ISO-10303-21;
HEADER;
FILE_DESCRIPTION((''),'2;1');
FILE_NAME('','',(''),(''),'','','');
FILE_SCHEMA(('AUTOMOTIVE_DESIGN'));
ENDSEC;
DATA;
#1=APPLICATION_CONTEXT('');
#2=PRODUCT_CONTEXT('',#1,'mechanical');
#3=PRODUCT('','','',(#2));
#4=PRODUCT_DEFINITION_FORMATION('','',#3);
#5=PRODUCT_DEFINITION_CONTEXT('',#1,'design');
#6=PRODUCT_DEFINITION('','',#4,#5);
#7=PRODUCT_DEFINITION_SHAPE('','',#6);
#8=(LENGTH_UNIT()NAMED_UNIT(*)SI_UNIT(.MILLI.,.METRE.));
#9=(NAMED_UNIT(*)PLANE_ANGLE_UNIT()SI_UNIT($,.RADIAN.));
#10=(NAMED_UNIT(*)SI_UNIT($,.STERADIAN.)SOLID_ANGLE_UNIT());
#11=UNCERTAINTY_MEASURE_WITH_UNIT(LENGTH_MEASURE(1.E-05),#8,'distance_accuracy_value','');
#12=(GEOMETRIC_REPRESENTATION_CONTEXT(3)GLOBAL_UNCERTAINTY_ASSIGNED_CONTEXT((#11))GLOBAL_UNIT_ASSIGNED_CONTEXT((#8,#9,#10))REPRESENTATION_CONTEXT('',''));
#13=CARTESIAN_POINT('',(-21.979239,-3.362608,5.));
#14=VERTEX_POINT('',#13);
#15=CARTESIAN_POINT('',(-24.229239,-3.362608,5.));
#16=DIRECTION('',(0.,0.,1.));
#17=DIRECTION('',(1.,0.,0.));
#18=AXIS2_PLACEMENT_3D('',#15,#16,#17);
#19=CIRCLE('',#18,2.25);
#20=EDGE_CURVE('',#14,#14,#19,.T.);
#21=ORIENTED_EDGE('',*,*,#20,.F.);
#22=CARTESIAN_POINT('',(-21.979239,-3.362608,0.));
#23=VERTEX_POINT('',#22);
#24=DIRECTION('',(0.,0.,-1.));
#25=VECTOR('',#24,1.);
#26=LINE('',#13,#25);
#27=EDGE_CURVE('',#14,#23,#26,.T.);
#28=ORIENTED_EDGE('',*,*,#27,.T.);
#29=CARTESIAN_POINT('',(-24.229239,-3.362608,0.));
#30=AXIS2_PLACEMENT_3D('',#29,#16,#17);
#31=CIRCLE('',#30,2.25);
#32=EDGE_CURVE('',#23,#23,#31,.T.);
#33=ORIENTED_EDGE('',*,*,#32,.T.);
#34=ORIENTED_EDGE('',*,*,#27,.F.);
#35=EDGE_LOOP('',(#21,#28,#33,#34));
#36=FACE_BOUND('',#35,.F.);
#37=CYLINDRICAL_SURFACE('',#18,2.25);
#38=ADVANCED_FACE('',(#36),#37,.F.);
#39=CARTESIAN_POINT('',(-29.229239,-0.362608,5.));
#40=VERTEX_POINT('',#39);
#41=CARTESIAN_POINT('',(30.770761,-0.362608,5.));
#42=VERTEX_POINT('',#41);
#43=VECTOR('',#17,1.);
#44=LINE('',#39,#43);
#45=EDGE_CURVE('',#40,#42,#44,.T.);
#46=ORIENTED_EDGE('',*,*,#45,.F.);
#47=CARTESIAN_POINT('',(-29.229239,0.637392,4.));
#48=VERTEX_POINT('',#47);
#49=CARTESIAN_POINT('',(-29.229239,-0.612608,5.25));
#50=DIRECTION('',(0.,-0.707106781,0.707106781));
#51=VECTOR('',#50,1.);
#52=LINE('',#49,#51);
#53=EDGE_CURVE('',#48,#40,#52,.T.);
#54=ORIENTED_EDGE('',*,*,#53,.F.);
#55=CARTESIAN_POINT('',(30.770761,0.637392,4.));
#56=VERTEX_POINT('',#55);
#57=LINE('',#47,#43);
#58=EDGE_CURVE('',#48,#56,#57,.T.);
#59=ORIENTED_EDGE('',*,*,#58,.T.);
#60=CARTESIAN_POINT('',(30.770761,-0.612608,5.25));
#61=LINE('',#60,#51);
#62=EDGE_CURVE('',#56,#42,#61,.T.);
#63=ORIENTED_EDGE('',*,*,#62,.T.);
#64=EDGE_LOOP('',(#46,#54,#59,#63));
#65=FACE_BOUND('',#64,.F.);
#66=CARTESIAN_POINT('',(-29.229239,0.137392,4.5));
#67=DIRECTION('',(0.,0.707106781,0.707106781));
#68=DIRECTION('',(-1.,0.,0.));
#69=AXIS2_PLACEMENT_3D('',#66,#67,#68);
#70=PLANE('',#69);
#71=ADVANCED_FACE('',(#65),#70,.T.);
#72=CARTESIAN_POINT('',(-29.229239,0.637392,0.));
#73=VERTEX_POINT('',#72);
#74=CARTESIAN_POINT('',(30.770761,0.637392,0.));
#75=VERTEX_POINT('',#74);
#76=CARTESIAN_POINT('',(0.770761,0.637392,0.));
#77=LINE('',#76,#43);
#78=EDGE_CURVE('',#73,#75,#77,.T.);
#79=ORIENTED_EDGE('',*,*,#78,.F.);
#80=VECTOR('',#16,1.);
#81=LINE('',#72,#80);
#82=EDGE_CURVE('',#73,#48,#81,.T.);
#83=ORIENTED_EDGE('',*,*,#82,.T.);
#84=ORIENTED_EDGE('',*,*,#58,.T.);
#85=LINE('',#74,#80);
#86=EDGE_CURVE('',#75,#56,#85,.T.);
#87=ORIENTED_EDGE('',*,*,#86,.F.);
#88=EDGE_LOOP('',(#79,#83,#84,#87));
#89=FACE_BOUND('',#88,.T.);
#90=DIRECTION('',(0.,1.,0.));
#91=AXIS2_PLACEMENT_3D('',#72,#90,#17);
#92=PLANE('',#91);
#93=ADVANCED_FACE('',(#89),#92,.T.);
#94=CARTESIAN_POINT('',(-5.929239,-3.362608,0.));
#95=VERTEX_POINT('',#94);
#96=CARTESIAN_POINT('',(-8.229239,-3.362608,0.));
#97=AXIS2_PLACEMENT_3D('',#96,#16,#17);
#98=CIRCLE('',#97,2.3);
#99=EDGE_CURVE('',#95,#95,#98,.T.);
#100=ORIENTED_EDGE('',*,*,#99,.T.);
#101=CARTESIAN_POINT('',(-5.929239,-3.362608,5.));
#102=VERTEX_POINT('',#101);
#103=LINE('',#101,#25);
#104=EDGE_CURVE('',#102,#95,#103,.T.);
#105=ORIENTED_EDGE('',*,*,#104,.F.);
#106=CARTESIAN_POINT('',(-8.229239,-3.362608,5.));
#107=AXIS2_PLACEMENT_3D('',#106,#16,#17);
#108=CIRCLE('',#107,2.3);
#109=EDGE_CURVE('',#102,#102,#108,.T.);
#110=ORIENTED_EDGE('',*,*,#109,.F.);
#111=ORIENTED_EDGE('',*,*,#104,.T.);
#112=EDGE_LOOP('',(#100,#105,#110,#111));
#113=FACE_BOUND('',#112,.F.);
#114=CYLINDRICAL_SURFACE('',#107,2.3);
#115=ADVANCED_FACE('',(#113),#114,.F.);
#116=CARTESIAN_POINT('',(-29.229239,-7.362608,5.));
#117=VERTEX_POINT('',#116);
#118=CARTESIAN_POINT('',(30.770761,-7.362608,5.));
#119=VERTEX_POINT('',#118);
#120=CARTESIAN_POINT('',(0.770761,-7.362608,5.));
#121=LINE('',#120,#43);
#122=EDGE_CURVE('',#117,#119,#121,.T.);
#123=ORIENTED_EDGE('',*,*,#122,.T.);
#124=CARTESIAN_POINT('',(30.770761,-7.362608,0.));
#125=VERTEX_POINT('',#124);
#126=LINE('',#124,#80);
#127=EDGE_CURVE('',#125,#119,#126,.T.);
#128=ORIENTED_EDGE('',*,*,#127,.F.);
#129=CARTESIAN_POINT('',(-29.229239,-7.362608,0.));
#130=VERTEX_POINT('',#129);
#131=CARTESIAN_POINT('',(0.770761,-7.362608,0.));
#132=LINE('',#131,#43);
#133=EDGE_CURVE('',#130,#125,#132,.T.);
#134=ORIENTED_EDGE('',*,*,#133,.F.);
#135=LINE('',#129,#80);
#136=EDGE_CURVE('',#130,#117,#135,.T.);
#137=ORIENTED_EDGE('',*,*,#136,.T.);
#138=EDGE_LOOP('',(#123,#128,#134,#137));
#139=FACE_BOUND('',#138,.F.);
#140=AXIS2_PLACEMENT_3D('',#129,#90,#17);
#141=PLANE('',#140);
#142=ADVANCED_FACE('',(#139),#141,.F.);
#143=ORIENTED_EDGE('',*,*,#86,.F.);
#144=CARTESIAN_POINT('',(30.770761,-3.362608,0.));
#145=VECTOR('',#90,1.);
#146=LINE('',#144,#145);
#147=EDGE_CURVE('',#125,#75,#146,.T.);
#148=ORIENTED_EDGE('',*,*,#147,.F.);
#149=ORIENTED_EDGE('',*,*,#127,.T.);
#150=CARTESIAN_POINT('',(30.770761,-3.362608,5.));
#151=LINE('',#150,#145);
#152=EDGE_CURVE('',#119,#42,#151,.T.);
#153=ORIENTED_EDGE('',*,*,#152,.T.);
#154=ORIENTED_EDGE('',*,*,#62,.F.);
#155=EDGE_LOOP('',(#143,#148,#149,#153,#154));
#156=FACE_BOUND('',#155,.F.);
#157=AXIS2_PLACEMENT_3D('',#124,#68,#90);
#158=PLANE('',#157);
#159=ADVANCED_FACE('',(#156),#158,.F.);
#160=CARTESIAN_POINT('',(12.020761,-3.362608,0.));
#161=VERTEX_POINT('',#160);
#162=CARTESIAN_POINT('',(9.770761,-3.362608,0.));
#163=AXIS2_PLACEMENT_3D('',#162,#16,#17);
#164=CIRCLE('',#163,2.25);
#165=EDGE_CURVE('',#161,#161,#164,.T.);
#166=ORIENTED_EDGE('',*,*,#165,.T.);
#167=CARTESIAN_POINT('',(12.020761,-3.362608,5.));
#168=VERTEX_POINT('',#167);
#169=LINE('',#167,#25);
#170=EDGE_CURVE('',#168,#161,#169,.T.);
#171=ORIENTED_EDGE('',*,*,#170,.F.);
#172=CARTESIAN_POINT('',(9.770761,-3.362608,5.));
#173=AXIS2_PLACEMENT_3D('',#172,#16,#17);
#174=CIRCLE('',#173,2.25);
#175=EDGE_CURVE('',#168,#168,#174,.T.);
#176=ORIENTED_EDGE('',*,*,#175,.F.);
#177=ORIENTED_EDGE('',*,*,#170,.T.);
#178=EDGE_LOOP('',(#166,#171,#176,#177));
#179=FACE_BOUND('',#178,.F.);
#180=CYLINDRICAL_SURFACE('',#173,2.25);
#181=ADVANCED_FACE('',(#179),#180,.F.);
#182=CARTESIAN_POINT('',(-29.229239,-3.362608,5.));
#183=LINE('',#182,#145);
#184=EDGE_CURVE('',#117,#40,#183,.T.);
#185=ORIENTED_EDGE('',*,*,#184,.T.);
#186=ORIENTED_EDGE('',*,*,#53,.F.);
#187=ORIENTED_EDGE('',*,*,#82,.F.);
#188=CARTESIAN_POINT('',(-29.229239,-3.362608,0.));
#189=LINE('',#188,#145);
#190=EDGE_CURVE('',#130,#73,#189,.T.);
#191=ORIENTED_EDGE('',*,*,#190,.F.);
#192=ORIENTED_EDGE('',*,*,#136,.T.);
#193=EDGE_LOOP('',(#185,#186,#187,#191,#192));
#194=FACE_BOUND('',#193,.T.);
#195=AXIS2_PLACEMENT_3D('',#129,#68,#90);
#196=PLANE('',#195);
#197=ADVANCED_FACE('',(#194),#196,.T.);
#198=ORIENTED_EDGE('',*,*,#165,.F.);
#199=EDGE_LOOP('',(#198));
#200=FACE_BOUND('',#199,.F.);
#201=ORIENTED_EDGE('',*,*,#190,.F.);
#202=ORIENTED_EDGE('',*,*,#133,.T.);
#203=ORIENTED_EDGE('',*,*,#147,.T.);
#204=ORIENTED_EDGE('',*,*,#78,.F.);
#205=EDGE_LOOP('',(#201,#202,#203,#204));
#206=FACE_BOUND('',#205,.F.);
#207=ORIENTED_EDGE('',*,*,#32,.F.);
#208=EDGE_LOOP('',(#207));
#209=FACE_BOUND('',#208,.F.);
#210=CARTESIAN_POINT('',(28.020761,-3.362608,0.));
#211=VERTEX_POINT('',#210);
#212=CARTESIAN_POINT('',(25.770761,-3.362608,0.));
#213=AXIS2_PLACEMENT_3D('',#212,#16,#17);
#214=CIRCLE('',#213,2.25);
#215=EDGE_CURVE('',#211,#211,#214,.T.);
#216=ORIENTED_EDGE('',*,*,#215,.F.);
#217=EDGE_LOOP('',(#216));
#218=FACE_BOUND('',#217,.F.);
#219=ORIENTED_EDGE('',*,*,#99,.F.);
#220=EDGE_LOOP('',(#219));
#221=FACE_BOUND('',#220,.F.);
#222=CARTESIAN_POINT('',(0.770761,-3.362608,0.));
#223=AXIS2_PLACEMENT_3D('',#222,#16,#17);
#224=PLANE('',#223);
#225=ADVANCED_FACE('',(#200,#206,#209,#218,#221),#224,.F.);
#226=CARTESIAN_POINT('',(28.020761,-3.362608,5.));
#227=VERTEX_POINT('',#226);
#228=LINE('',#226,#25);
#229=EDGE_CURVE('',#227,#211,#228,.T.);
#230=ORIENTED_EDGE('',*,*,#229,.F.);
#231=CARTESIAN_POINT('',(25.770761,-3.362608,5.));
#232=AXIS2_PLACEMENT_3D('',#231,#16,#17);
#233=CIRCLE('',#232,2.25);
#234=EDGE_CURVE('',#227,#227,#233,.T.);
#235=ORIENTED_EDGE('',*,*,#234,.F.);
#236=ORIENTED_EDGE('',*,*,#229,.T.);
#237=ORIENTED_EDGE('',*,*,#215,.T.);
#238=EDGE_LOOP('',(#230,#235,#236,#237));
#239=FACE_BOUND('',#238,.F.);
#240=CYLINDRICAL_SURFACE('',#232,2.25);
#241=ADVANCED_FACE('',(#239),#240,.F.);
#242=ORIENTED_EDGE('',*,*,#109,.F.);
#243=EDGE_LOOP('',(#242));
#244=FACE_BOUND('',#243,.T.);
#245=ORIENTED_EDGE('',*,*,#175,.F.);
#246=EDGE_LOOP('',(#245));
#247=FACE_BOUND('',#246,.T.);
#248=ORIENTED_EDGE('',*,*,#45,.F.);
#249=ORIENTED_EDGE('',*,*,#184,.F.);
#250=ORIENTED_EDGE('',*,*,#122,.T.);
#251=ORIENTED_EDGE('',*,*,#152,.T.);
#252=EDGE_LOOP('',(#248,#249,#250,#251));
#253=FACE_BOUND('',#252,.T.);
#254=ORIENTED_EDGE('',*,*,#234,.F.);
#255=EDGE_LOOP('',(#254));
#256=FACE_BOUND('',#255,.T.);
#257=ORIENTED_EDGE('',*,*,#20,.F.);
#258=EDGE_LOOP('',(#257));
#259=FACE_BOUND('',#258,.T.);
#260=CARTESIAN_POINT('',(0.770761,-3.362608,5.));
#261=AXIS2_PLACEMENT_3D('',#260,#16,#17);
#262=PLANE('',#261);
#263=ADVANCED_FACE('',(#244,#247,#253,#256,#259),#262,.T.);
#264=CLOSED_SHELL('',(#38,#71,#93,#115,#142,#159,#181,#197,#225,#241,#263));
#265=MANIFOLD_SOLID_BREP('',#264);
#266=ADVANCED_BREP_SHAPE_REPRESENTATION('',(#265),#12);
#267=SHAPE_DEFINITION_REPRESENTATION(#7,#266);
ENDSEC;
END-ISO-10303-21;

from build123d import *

# Parameters (mm, degrees)
F0_W     = 60
F0_H     = 8
F1_DEPTH = 5
F2_R     = 2.3
F2_R_2   = 2.25
F3_DEPTH = 5.001
F4_SIZE  = 1


with BuildPart() as f1:
    # F0 (on Top) → F1 (new body)
    with BuildSketch(Plane.XY):
        with Locations((0.770761, -3.362608)):
            Rectangle(F0_W, F0_H)
    extrude(amount=F1_DEPTH)

    # F2 (on face) → F3 (cut, through all)
    with BuildSketch(Plane.XY.offset(5)):
        with Locations((-8.229239, -3.362608)):
            Circle(F2_R)
        with Locations((9.770761, -3.362608)):
            Circle(F2_R_2)
        with Locations((25.770761, -3.362608)):
            Circle(F2_R_2)
        with Locations((-24.229239, -3.362608)):
            Circle(F2_R_2)
    extrude(amount=-F3_DEPTH, mode=Mode.SUBTRACT)

    # F4
    f4_edges = [f1.edges().sort_by_distance(p)[0] for p in [
        (0.770761, 0.637392, 5),
    ]]
    chamfer(f4_edges, length=F4_SIZE)


solid = f1.part
